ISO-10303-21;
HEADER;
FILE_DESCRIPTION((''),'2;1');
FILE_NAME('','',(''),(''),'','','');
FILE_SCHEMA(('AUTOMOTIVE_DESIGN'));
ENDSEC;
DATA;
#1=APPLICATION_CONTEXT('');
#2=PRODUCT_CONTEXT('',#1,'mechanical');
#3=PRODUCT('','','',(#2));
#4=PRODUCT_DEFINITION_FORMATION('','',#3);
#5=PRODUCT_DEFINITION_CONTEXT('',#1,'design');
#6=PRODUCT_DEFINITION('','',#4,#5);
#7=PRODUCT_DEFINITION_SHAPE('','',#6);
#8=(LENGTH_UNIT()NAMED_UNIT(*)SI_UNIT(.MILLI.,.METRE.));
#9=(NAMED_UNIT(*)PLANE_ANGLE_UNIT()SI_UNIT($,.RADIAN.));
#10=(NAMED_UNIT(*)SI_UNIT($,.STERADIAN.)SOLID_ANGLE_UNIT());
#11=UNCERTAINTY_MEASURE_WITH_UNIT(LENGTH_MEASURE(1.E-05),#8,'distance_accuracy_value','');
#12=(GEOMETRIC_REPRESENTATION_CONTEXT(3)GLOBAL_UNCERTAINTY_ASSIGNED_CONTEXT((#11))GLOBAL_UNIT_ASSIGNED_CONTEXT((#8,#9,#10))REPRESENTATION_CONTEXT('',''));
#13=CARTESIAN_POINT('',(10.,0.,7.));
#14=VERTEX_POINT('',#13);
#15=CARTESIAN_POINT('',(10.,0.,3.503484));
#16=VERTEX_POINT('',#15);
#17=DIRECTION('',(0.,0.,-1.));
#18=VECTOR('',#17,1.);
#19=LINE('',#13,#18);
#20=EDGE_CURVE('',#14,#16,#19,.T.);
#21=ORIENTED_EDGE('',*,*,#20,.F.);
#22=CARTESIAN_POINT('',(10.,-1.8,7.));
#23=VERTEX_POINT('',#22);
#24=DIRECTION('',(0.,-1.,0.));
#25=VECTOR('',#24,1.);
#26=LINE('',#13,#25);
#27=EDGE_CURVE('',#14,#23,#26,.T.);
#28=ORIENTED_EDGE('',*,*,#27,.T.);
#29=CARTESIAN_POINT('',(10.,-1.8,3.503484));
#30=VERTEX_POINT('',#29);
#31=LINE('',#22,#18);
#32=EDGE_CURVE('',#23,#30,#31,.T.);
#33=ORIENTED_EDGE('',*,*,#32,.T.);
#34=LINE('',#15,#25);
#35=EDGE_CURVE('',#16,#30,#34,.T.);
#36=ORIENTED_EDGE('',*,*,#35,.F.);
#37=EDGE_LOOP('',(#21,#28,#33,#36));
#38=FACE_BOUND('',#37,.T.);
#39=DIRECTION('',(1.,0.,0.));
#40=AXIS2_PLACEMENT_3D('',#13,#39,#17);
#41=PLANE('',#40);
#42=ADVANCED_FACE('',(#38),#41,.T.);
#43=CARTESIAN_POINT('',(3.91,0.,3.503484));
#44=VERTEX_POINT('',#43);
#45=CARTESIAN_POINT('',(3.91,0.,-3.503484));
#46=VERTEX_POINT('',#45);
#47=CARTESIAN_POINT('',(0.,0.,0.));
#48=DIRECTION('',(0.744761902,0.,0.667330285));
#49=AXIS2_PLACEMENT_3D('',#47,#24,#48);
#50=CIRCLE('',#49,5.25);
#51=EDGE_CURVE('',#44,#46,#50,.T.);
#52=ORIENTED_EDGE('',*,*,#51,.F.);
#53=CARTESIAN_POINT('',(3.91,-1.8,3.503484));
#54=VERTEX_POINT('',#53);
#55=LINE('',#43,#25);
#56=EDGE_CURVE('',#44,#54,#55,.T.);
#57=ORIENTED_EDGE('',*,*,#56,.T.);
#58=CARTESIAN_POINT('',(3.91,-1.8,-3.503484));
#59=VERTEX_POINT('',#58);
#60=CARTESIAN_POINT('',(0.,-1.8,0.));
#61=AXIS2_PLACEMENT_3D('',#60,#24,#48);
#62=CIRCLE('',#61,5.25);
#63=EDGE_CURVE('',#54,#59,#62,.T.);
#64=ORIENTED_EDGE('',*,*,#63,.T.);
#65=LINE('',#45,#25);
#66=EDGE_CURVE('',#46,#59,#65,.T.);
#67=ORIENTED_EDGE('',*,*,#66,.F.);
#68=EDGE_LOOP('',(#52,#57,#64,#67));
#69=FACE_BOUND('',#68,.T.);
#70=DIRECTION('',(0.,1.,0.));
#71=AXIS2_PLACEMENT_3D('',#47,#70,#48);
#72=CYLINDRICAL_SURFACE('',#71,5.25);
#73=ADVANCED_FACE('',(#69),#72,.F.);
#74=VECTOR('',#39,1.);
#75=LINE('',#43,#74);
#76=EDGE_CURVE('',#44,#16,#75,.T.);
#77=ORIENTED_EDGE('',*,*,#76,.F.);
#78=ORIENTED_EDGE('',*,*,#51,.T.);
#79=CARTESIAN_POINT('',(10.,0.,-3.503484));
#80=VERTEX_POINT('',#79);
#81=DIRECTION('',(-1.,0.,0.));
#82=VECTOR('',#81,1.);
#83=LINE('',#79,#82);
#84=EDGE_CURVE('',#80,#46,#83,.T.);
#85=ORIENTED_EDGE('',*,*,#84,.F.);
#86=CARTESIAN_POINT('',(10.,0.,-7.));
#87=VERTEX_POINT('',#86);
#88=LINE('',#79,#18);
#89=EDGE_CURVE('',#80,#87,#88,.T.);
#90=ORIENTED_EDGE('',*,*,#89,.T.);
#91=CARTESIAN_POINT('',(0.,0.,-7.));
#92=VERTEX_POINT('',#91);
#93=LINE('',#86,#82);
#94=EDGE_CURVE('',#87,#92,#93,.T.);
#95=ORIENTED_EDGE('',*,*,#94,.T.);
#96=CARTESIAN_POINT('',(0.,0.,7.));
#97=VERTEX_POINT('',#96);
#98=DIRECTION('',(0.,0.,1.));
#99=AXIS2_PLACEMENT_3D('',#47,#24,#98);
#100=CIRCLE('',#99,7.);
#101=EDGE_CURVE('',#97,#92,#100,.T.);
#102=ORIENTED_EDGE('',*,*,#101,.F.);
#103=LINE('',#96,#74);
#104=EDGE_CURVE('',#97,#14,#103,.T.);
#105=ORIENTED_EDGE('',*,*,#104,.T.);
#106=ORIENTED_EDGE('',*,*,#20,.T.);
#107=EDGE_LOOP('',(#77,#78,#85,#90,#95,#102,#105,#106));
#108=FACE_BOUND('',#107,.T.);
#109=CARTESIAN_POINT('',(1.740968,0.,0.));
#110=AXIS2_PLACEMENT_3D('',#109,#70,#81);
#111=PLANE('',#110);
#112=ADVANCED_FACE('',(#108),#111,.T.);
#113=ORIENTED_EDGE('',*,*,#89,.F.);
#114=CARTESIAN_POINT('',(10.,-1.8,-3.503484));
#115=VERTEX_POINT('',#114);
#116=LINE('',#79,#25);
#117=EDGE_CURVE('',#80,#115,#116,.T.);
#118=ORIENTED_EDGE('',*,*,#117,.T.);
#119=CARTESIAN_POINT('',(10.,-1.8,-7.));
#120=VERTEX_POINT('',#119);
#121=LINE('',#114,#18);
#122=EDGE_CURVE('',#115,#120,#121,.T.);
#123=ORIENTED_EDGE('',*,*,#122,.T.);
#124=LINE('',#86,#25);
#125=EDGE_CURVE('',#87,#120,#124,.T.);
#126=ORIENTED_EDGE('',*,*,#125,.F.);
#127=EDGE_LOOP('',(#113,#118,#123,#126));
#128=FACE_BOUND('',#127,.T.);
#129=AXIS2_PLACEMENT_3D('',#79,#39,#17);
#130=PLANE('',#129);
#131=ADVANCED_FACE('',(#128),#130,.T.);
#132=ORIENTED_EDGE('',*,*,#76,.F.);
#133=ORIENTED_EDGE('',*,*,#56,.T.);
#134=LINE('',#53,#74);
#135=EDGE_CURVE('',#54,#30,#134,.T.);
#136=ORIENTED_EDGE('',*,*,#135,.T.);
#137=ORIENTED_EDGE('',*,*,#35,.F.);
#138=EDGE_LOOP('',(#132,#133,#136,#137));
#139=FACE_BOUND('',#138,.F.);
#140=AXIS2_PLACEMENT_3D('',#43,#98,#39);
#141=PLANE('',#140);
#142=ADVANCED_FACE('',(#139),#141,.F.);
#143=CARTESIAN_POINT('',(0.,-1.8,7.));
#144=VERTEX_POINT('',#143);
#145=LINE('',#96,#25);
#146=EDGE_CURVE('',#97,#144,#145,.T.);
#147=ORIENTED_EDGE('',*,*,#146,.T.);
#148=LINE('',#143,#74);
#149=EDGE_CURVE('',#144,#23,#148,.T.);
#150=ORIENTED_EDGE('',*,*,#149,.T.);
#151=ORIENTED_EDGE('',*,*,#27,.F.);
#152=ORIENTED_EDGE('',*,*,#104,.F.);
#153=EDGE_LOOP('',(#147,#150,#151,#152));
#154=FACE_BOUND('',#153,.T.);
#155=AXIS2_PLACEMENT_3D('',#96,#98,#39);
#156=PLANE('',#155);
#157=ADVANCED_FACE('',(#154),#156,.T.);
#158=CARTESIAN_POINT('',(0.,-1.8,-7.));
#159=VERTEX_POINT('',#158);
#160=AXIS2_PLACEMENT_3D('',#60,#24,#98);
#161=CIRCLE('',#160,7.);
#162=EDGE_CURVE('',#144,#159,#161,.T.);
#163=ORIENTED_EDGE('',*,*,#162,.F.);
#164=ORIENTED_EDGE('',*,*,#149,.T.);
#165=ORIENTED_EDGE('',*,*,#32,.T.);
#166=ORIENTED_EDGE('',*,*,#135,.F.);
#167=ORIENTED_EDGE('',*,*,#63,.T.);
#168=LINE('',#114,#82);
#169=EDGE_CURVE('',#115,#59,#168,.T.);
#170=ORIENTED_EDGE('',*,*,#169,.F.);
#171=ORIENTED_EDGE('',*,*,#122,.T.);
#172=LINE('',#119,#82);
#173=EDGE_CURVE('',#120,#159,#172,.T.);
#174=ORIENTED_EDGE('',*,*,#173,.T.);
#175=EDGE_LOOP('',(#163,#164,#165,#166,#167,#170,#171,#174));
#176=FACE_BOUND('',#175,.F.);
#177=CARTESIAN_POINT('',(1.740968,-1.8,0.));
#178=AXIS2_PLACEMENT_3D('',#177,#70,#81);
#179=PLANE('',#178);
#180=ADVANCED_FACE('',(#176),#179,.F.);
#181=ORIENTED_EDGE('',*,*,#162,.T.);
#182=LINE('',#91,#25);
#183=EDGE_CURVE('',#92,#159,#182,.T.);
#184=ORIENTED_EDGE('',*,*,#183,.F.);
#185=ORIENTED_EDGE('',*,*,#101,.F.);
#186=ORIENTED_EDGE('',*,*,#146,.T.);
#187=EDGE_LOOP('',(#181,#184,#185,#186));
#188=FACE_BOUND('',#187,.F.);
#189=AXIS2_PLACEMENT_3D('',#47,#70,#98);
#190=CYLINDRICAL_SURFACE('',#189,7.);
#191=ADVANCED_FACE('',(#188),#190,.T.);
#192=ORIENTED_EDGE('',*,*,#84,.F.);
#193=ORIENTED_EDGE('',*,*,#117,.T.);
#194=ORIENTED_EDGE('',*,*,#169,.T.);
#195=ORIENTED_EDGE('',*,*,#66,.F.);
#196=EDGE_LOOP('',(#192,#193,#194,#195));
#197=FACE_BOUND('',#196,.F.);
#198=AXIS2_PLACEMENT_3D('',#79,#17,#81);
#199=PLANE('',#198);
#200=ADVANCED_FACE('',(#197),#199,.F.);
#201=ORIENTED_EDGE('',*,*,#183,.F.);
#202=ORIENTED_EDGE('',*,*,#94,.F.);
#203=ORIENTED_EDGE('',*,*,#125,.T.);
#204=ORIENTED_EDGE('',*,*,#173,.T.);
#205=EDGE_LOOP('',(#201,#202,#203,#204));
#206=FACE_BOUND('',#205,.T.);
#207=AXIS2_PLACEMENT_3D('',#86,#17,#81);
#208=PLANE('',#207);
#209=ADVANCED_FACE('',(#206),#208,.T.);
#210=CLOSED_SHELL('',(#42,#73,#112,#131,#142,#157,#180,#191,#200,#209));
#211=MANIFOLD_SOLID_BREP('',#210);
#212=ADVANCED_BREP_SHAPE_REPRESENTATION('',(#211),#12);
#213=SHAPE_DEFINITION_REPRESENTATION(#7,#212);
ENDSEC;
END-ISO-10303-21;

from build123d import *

# Parameters (mm, degrees)
PAD_DEPTH = 1.8


with BuildPart() as part:
    # Sketch → Pad (new body)
    with BuildSketch(Plane.XZ):
        with BuildLine():
            ThreePointArc((3.91, 3.503484), (-5.25, 0), (3.91, -3.503484))
            Line((10, -3.503484), (3.91, -3.503484))
            Line((10, -3.503484), (10, -7))
            Line((10, -7), (0, -7))
            ThreePointArc((0, 7), (-7, 0), (0, -7))
            Line((0, 7), (10, 7))
            Line((10, 7), (10, 3.503484))
            Line((3.91, 3.503484), (10, 3.503484))
        make_face()
    extrude(amount=PAD_DEPTH)


solid = part.part
